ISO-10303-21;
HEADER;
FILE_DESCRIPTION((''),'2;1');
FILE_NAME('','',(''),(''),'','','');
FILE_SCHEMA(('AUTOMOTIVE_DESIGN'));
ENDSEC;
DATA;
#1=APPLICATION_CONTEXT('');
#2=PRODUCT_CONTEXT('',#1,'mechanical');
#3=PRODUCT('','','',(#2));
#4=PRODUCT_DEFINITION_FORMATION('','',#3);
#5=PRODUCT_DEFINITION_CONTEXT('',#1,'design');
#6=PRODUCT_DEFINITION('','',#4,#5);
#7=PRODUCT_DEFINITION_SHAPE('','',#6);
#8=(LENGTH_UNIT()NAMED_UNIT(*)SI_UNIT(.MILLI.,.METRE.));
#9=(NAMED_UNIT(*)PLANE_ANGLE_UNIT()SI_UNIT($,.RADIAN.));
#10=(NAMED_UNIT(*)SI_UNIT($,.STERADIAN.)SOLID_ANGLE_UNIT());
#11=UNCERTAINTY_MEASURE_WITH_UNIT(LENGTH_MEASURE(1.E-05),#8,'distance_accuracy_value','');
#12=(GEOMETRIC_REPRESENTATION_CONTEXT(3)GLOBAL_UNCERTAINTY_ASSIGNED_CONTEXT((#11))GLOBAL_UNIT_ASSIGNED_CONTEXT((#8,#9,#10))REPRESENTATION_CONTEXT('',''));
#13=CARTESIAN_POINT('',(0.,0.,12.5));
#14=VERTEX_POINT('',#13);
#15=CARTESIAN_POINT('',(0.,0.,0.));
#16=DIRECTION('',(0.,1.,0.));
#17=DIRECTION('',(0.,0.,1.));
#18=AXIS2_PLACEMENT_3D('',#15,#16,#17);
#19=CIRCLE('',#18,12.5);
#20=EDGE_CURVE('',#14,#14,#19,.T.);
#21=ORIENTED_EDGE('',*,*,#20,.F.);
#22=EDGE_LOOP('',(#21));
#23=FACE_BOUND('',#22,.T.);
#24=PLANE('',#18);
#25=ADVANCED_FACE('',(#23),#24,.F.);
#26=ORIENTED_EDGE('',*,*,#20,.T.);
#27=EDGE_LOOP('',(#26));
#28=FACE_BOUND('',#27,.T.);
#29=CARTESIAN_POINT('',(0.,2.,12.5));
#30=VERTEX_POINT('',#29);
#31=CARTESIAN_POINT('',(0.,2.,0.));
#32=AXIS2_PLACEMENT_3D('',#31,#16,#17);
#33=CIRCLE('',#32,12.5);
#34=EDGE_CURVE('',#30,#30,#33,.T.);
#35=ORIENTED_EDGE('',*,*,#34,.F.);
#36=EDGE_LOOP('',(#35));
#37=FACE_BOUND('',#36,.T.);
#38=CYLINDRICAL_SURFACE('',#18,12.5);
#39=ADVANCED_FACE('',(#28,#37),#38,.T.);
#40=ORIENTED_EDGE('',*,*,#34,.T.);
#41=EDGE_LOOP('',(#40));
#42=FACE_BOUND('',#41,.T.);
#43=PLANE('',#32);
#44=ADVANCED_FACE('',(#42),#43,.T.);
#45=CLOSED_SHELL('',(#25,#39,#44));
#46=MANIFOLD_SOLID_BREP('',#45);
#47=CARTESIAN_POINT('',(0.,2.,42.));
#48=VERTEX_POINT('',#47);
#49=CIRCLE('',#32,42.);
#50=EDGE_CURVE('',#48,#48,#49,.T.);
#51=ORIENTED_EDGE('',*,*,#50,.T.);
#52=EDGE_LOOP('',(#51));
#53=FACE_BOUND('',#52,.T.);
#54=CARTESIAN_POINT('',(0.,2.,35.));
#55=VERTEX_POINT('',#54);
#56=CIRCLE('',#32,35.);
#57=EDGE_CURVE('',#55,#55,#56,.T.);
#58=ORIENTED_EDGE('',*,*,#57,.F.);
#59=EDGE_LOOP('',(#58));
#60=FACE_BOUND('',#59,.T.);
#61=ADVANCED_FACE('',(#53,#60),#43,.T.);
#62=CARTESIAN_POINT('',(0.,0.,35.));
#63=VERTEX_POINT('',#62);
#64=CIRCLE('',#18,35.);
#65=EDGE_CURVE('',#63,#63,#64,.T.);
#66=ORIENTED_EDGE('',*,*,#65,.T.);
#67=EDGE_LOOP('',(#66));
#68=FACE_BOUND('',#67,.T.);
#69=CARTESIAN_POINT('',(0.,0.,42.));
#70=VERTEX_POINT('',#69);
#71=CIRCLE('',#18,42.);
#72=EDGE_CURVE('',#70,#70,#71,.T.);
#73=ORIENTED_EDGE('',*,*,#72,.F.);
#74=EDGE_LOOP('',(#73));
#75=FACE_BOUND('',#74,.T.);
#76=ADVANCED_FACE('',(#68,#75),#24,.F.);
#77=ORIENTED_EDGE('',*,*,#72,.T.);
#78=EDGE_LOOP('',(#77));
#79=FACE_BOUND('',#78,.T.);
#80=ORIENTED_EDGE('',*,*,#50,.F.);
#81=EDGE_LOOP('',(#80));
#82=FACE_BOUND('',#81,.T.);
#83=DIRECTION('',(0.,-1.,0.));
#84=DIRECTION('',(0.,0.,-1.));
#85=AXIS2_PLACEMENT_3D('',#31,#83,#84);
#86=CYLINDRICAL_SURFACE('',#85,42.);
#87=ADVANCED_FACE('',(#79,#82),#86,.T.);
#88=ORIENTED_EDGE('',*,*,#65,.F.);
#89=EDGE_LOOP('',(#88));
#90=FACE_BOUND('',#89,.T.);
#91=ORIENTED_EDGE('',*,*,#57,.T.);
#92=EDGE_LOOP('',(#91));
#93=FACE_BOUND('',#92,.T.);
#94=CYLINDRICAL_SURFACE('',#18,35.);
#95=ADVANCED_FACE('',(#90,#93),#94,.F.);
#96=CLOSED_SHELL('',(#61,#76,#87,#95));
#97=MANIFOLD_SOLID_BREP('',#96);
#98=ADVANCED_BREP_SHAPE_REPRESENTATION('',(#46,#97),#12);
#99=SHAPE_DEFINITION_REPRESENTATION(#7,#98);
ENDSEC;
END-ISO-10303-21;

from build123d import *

# Parameters (mm, degrees)
SKETCH1_R           = 42
BOSS_EXTRUDE1_DEPTH = 2
SKETCH2_R           = 35
SKETCH2_R_2         = 12.5
CUT_EXTRUDE1_DEPTH  = 2


with BuildPart() as part:
    # Sketch1 → Boss-Extrude1 (new body)
    with BuildSketch(Plane(origin=(0, 0, 0), x_dir=(1, 0, 0), z_dir=(0, 1, 0))):
        Circle(SKETCH1_R)
    extrude(amount=BOSS_EXTRUDE1_DEPTH)

    # Sketch2 → Cut-Extrude1 (cut)
    with BuildSketch(Plane(origin=(0, 2, 0), x_dir=(1, 0, 0), z_dir=(0, 1, 0))):
        Circle(SKETCH2_R)
        Circle(SKETCH2_R_2, mode=Mode.SUBTRACT)
    extrude(amount=-CUT_EXTRUDE1_DEPTH, mode=Mode.SUBTRACT)


solid = part.part
